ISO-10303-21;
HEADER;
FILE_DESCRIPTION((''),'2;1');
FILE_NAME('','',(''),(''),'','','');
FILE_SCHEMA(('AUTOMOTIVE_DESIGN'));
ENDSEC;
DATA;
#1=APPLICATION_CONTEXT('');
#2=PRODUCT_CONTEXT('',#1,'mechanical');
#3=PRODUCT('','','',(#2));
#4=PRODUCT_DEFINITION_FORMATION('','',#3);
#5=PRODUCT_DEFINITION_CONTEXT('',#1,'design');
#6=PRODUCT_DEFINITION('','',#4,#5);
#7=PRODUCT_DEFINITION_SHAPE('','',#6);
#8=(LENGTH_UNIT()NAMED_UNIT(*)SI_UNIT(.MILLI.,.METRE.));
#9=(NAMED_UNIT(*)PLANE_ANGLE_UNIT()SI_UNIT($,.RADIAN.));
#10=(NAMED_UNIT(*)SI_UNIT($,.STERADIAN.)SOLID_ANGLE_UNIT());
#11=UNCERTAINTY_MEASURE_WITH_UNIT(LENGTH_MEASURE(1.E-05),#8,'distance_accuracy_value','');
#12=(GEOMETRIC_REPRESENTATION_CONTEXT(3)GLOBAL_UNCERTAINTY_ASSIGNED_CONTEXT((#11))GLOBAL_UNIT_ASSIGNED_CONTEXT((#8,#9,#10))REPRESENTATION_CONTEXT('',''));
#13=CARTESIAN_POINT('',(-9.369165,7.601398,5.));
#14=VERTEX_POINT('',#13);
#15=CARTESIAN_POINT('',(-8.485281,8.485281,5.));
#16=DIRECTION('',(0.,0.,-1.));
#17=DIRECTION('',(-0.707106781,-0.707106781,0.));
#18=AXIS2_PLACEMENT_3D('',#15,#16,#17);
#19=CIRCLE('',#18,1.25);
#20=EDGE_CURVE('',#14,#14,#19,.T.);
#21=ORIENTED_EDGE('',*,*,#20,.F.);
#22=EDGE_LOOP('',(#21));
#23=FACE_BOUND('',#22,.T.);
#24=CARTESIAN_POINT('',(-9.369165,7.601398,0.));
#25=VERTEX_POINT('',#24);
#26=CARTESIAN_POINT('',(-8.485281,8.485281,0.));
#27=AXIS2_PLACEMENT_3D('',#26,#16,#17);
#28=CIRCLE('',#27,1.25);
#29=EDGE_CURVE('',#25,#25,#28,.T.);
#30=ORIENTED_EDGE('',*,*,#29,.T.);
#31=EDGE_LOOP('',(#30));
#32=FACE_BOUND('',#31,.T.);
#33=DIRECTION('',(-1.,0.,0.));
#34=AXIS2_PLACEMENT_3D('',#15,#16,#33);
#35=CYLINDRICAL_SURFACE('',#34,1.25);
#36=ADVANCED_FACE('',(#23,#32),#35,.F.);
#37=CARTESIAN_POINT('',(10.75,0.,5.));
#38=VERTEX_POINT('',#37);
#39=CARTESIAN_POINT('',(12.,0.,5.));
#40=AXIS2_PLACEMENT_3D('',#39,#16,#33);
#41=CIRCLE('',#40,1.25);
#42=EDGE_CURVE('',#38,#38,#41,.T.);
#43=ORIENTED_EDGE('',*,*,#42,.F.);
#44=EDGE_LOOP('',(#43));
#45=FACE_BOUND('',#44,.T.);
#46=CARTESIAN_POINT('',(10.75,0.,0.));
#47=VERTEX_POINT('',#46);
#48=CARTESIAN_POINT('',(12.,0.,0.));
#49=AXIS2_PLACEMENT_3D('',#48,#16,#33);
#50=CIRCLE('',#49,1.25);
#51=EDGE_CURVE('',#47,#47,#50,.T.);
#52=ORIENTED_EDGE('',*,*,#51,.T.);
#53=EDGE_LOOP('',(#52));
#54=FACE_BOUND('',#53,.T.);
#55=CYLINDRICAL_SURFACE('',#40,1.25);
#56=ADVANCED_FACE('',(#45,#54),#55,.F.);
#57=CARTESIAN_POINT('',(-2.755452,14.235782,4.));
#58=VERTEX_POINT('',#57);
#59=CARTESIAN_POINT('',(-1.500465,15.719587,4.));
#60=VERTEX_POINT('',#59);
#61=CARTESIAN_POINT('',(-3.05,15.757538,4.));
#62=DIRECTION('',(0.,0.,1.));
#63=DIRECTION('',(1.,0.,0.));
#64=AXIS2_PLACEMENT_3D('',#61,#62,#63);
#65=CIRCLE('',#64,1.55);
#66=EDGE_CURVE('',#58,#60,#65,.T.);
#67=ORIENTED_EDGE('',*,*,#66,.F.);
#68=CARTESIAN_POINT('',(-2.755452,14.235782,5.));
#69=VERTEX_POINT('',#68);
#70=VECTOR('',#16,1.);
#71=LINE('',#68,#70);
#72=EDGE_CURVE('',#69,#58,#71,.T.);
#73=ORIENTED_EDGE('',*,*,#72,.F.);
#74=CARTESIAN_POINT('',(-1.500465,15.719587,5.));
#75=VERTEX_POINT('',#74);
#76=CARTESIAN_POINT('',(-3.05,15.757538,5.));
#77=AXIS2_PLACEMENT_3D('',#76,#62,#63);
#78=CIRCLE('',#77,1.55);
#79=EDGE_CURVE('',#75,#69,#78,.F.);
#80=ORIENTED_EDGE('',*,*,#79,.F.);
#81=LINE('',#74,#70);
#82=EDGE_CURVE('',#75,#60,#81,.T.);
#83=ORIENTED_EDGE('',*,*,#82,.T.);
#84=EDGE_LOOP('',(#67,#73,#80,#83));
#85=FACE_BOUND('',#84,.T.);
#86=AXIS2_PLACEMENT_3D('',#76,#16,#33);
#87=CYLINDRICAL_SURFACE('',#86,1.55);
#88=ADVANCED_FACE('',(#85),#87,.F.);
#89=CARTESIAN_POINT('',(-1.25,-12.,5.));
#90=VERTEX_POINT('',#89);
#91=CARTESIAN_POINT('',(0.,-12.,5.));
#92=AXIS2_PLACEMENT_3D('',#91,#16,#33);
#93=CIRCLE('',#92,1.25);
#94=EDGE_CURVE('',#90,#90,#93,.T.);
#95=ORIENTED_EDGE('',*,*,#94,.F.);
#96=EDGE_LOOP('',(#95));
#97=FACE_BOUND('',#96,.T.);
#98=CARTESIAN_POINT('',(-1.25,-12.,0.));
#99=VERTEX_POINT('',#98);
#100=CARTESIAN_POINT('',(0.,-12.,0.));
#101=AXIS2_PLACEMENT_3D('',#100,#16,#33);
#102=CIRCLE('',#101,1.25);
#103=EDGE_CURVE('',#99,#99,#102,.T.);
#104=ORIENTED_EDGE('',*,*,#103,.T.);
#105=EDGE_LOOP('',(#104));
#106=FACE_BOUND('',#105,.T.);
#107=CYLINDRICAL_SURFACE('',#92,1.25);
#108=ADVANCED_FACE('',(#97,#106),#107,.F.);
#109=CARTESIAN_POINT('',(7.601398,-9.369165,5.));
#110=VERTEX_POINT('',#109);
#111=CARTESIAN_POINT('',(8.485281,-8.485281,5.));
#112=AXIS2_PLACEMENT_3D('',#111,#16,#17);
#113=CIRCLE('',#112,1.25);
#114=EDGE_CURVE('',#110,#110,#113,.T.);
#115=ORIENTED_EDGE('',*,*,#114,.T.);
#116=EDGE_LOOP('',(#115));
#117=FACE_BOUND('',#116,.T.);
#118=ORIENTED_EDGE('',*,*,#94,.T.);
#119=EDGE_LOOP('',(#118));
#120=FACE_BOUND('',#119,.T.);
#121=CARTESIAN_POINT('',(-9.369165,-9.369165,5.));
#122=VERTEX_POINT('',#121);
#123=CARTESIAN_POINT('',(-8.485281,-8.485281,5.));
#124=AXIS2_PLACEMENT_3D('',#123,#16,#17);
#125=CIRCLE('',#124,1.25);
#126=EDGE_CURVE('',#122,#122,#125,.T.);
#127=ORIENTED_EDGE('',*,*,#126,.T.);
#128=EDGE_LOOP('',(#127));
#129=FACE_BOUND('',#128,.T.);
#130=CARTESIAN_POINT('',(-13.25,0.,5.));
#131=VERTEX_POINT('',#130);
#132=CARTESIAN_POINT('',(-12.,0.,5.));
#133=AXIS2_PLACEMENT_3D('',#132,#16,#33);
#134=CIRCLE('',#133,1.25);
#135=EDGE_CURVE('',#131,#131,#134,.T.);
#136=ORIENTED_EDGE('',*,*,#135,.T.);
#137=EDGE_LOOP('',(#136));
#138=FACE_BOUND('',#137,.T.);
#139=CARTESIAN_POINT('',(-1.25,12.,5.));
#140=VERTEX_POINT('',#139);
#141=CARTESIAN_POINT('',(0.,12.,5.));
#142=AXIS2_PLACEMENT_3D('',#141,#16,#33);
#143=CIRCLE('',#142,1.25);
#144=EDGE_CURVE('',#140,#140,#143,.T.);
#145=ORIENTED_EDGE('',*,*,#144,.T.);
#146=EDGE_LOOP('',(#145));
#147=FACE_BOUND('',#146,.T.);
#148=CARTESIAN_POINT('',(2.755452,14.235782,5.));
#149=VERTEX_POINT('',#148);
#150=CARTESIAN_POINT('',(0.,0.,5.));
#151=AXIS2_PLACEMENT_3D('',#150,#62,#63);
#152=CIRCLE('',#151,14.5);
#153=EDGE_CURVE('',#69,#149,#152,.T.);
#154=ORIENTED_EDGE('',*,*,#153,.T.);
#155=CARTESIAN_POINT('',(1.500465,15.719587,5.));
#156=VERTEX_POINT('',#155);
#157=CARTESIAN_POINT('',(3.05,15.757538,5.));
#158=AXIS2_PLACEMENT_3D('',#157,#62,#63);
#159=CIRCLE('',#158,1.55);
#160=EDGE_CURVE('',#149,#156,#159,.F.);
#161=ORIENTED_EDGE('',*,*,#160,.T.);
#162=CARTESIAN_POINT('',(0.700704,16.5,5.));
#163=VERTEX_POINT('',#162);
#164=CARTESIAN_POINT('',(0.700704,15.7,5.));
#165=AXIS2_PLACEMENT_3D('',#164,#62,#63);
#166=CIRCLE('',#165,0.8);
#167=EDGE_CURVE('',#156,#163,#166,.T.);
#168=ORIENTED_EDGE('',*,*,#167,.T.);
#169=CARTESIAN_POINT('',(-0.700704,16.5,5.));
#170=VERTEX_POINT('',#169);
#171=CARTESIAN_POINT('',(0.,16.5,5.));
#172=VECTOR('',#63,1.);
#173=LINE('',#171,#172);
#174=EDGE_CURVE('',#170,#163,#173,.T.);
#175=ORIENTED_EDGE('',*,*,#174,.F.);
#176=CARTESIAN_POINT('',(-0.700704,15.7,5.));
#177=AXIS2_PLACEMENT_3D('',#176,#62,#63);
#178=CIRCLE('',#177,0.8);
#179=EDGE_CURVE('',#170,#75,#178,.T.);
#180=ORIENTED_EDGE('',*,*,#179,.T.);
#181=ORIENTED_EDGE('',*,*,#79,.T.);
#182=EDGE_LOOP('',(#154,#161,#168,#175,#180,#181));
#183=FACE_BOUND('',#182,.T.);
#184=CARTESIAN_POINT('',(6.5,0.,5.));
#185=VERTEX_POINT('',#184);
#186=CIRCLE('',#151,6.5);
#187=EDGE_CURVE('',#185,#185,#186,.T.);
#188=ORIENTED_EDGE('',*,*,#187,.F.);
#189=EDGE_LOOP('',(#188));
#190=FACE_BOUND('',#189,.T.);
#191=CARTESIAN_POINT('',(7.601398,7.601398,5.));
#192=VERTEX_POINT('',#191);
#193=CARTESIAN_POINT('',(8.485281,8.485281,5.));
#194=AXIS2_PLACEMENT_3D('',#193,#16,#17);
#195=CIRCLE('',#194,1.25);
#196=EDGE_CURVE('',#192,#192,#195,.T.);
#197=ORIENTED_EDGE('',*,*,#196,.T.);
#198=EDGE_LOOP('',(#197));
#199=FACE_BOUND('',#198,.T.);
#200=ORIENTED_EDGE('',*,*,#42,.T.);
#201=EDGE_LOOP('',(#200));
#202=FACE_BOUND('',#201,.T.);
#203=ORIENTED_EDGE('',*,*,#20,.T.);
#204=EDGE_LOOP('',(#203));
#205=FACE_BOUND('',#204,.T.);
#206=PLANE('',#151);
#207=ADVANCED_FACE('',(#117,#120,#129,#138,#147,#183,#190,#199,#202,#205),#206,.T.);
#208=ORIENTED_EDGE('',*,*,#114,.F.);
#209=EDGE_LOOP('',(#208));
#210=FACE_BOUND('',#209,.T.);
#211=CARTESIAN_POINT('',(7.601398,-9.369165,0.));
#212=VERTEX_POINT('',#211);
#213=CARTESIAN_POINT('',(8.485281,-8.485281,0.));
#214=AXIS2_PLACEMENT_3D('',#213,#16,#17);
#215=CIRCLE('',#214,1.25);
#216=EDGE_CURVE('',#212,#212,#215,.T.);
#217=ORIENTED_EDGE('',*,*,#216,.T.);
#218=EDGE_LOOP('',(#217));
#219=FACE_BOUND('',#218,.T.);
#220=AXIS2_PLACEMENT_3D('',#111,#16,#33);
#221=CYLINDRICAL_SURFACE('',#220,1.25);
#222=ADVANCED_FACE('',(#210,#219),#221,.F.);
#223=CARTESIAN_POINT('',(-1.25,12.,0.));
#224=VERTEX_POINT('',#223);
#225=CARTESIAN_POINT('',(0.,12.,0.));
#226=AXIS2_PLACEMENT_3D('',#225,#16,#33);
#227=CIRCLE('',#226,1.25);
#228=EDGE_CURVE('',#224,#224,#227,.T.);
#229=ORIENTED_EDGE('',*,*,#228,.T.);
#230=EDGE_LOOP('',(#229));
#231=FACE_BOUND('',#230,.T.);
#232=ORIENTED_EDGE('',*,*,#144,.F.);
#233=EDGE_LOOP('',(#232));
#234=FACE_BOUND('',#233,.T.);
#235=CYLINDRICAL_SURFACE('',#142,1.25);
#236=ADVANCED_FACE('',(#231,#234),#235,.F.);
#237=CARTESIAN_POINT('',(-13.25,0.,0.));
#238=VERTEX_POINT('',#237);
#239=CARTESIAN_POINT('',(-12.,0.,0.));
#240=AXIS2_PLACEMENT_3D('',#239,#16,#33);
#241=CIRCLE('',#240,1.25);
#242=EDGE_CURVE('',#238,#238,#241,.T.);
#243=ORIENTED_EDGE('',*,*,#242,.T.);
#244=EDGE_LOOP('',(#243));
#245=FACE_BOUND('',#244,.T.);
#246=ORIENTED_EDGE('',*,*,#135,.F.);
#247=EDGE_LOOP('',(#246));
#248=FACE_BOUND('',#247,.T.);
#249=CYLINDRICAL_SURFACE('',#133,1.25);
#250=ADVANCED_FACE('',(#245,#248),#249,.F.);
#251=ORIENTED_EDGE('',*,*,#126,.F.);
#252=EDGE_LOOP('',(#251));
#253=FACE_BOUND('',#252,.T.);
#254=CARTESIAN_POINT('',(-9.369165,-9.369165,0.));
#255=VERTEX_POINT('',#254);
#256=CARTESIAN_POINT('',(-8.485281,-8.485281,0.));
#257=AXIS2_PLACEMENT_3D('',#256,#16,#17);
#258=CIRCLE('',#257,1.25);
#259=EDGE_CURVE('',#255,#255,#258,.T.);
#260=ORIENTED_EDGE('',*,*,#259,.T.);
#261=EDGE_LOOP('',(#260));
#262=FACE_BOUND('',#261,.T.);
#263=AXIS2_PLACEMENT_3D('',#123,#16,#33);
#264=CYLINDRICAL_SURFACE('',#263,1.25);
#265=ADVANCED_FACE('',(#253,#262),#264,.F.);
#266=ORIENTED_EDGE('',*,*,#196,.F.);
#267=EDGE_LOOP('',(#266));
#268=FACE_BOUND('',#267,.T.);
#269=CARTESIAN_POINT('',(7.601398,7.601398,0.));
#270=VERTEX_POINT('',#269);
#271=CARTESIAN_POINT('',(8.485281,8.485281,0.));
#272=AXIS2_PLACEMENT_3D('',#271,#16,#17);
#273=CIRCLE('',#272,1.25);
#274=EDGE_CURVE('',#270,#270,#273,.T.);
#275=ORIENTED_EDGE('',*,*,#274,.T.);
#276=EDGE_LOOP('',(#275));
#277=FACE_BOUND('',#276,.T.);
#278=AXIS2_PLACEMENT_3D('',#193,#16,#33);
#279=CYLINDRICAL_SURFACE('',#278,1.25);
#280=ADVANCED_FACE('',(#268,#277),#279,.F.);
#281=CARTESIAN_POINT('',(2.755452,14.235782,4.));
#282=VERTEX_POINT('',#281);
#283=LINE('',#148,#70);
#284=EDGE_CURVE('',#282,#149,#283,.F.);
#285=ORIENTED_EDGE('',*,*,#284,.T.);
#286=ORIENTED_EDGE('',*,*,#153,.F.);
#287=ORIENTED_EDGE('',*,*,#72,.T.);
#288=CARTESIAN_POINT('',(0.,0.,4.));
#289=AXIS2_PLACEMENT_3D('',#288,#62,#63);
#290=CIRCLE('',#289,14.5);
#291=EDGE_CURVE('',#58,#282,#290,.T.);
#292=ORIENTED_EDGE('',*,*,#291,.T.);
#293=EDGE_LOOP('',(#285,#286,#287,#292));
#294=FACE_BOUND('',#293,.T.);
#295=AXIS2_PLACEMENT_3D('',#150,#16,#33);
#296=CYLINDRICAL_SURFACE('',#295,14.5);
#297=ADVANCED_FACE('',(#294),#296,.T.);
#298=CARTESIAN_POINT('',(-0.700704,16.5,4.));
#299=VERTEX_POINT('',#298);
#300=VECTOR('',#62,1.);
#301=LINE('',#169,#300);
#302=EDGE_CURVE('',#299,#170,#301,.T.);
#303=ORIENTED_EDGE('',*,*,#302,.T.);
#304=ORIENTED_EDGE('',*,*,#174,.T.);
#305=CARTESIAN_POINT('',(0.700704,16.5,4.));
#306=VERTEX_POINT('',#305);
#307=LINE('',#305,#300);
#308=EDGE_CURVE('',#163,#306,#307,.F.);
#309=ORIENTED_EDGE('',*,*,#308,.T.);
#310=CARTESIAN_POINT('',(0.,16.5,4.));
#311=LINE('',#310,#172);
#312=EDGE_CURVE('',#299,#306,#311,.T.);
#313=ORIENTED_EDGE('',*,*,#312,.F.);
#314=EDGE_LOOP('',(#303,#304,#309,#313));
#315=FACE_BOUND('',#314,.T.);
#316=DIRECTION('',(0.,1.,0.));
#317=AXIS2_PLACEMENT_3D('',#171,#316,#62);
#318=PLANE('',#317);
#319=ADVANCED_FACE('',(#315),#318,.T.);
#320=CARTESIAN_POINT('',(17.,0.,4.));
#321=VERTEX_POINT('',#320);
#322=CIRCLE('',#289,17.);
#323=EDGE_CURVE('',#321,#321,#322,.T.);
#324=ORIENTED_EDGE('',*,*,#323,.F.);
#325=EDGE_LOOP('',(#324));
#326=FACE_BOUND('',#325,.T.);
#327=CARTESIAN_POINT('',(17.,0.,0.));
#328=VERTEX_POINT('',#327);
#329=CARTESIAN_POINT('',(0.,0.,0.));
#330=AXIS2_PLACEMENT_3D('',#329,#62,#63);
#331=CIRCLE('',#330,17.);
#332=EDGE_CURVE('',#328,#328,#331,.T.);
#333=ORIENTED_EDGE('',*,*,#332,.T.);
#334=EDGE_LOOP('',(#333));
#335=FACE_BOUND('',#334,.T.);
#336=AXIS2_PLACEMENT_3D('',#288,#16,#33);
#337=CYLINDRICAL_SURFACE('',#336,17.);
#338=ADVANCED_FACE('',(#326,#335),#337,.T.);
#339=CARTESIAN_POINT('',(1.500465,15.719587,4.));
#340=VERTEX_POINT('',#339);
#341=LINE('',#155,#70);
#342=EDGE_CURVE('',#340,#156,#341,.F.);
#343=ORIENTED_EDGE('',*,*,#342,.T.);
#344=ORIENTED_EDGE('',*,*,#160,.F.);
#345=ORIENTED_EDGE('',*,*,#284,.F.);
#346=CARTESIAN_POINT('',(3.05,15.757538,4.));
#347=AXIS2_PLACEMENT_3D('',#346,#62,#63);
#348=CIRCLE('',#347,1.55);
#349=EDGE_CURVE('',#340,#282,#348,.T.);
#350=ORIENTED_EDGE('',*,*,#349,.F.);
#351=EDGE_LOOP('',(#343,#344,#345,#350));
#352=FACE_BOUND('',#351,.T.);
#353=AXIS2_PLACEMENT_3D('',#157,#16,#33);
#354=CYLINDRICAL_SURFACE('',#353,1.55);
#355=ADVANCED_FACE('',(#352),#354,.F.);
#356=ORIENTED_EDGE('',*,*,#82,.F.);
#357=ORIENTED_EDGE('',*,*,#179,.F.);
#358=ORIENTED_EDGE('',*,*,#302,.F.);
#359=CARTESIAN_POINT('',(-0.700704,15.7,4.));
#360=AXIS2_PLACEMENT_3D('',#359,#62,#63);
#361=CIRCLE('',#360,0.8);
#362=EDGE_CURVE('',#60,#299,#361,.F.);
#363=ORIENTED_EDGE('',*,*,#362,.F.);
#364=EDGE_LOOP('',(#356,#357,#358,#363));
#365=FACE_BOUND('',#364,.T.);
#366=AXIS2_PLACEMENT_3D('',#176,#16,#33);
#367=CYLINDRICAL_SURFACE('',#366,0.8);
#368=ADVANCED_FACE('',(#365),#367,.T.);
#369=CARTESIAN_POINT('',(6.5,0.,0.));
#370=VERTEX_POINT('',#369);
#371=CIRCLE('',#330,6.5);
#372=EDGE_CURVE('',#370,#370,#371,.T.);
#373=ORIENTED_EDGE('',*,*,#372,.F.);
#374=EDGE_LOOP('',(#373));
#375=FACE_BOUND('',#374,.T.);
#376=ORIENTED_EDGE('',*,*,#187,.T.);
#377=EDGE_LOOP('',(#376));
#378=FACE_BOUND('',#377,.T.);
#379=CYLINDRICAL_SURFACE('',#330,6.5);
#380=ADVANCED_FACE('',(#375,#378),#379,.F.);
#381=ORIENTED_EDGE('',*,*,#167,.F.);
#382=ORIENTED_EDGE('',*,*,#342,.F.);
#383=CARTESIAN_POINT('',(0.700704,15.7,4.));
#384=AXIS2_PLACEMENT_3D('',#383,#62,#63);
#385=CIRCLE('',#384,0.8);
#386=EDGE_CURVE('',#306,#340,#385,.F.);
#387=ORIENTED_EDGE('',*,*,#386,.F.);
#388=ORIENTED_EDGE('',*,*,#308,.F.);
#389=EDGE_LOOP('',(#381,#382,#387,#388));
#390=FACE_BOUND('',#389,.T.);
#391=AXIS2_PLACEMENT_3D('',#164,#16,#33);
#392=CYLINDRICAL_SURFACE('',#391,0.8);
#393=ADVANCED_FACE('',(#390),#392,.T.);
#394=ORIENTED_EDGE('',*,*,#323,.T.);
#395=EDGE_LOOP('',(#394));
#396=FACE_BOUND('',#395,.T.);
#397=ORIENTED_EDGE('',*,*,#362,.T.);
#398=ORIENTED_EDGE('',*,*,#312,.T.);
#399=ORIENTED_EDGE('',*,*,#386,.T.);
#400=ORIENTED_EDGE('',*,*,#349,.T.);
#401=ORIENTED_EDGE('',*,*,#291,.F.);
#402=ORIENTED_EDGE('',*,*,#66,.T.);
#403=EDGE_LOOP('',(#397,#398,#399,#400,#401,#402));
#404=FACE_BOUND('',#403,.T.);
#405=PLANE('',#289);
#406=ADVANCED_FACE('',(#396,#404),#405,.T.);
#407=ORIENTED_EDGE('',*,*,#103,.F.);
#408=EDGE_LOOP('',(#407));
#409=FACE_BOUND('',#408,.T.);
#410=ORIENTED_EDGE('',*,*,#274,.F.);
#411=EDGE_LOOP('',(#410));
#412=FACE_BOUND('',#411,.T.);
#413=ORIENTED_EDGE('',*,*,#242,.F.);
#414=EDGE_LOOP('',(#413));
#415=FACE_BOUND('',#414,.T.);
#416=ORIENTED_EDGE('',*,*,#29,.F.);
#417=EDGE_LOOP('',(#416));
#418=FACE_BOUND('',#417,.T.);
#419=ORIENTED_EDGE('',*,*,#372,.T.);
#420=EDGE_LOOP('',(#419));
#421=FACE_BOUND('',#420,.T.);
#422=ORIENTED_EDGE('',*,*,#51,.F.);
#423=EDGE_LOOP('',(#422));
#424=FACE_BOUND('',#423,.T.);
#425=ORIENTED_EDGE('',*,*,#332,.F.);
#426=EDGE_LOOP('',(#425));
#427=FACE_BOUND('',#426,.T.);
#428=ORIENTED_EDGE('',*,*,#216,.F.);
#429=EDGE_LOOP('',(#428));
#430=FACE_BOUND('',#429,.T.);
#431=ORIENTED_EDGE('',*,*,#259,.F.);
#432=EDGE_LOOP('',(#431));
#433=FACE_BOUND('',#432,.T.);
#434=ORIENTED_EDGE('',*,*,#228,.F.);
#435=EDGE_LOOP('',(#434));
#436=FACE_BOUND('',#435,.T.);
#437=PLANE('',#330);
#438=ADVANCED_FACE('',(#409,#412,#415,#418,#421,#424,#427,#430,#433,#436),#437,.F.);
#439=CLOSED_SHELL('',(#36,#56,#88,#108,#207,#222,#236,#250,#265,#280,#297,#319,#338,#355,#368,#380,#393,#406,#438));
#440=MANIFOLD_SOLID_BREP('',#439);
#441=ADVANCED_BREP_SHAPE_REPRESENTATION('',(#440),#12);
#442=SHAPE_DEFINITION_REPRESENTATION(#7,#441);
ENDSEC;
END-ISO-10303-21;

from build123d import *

# Parameters (mm, degrees)
SKETCH_1_R               = 17
EXTRUDE_1_DEPTH          = 4
EXTRUDE_2_DEPTH          = 1
FILLET_1_R               = 1.55
FILLET_2_R               = 0.8
SKETCH_3_R               = 6.5
CUT_EXTRUDE_1_DEPTH      = 6
SKETCH_4_R               = 1.25
CUT_EXTRUDE_2_DEPTH      = 6.0000001
PATTERN_CIRCULAR_1_COUNT = 2
PATTERN_CIRCULAR_1_ANGLE = 45


with BuildPart() as part:
    # ｽｹｯﾁ1 → ﾎﾞｽ - 押し出し1 (new body)
    with BuildSketch(Plane.XY):
        Circle(SKETCH_1_R)
    extrude(amount=EXTRUDE_1_DEPTH)

    # ｽｹｯﾁ2 → ﾎﾞｽ - 押し出し2 (add)
    with BuildSketch(Plane.XY.offset(4)):
        with BuildLine():
            Line((-1.5, 14.422205102), (-1.5, 12.5))
            Line((-1.5, 12.5), (1.5, 12.5))
            Line((1.5, 12.5), (1.5, 14.422205102))
            ThreePointArc((1.5, 14.422205102), (0, 14.5), (-1.5, 14.422205102))
        make_face()
        with BuildLine():
            Line((1.5, 12.5), (-1.5, 12.5))
            Line((-1.5, 12.5), (-1.5, 14.422205102))
            ThreePointArc((-1.5, 14.422205102), (-9.708243919, -10.770329614), (14.5, 0))
            ThreePointArc((14.5, 0), (10.770329614, 9.708243919), (1.5, 14.422205102))
            Line((1.5, 14.422205102), (1.5, 12.5))
        make_face()
        with BuildLine():
            Line((-1.5, 16.5), (-1.5, 14.422205102))
            ThreePointArc((-1.5, 14.422205102), (0, 14.5), (1.5, 14.422205102))
            Line((1.5, 14.422205102), (1.5, 16.5))
            Line((1.5, 16.5), (-1.5, 16.5))
        make_face()
    extrude(amount=EXTRUDE_2_DEPTH)

    # ﾌｨﾚｯﾄ1
    fillet_1_edges = [part.edges().sort_by_distance(p)[0] for p in [
        (-1.5, 14.422205102, 4.5),
        (1.5, 14.422205102, 4.5),
    ]]
    fillet(fillet_1_edges, radius=FILLET_1_R)

    # ﾌｨﾚｯﾄ2
    fillet_2_edges = [part.edges().sort_by_distance(p)[0] for p in [
        (1.5, 16.5, 4.5),
        (-1.5, 16.5, 4.5),
    ]]
    fillet(fillet_2_edges, radius=FILLET_2_R)

    # ｽｹｯﾁ3 → ｶｯﾄ - 押し出し1 (cut, through all)
    with BuildSketch(Plane.XY.offset(5)):
        Circle(SKETCH_3_R)
    extrude(amount=-CUT_EXTRUDE_1_DEPTH, mode=Mode.SUBTRACT)

    # ｽｹｯﾁ4 → ｶｯﾄ - 押し出し2 (cut, through all)
    with BuildSketch(Plane(origin=(0, 0, 0), x_dir=(-1, 0, 0), z_dir=(0, 0, -1))):
        with Locations((0, 12)):
            Circle(SKETCH_4_R)
        with Locations((12, 0)):
            Circle(SKETCH_4_R)
        with Locations((0, -12)):
            Circle(SKETCH_4_R)
        with Locations((-12, 0)):
            Circle(SKETCH_4_R)
    cut_extrude_2 = extrude(amount=-CUT_EXTRUDE_2_DEPTH, mode=Mode.SUBTRACT)

    # 円形ﾊﾟﾀｰﾝ1: ｶｯﾄ - 押し出し2 ×2 about axis
    pattern_circular_1_axis = Axis((0, 0, 0), (0, 0, 1))
    for i in range(1, PATTERN_CIRCULAR_1_COUNT):
        add(cut_extrude_2.rotate(pattern_circular_1_axis, i * PATTERN_CIRCULAR_1_ANGLE / (PATTERN_CIRCULAR_1_COUNT - 1)), mode=Mode.SUBTRACT)


solid = part.part
